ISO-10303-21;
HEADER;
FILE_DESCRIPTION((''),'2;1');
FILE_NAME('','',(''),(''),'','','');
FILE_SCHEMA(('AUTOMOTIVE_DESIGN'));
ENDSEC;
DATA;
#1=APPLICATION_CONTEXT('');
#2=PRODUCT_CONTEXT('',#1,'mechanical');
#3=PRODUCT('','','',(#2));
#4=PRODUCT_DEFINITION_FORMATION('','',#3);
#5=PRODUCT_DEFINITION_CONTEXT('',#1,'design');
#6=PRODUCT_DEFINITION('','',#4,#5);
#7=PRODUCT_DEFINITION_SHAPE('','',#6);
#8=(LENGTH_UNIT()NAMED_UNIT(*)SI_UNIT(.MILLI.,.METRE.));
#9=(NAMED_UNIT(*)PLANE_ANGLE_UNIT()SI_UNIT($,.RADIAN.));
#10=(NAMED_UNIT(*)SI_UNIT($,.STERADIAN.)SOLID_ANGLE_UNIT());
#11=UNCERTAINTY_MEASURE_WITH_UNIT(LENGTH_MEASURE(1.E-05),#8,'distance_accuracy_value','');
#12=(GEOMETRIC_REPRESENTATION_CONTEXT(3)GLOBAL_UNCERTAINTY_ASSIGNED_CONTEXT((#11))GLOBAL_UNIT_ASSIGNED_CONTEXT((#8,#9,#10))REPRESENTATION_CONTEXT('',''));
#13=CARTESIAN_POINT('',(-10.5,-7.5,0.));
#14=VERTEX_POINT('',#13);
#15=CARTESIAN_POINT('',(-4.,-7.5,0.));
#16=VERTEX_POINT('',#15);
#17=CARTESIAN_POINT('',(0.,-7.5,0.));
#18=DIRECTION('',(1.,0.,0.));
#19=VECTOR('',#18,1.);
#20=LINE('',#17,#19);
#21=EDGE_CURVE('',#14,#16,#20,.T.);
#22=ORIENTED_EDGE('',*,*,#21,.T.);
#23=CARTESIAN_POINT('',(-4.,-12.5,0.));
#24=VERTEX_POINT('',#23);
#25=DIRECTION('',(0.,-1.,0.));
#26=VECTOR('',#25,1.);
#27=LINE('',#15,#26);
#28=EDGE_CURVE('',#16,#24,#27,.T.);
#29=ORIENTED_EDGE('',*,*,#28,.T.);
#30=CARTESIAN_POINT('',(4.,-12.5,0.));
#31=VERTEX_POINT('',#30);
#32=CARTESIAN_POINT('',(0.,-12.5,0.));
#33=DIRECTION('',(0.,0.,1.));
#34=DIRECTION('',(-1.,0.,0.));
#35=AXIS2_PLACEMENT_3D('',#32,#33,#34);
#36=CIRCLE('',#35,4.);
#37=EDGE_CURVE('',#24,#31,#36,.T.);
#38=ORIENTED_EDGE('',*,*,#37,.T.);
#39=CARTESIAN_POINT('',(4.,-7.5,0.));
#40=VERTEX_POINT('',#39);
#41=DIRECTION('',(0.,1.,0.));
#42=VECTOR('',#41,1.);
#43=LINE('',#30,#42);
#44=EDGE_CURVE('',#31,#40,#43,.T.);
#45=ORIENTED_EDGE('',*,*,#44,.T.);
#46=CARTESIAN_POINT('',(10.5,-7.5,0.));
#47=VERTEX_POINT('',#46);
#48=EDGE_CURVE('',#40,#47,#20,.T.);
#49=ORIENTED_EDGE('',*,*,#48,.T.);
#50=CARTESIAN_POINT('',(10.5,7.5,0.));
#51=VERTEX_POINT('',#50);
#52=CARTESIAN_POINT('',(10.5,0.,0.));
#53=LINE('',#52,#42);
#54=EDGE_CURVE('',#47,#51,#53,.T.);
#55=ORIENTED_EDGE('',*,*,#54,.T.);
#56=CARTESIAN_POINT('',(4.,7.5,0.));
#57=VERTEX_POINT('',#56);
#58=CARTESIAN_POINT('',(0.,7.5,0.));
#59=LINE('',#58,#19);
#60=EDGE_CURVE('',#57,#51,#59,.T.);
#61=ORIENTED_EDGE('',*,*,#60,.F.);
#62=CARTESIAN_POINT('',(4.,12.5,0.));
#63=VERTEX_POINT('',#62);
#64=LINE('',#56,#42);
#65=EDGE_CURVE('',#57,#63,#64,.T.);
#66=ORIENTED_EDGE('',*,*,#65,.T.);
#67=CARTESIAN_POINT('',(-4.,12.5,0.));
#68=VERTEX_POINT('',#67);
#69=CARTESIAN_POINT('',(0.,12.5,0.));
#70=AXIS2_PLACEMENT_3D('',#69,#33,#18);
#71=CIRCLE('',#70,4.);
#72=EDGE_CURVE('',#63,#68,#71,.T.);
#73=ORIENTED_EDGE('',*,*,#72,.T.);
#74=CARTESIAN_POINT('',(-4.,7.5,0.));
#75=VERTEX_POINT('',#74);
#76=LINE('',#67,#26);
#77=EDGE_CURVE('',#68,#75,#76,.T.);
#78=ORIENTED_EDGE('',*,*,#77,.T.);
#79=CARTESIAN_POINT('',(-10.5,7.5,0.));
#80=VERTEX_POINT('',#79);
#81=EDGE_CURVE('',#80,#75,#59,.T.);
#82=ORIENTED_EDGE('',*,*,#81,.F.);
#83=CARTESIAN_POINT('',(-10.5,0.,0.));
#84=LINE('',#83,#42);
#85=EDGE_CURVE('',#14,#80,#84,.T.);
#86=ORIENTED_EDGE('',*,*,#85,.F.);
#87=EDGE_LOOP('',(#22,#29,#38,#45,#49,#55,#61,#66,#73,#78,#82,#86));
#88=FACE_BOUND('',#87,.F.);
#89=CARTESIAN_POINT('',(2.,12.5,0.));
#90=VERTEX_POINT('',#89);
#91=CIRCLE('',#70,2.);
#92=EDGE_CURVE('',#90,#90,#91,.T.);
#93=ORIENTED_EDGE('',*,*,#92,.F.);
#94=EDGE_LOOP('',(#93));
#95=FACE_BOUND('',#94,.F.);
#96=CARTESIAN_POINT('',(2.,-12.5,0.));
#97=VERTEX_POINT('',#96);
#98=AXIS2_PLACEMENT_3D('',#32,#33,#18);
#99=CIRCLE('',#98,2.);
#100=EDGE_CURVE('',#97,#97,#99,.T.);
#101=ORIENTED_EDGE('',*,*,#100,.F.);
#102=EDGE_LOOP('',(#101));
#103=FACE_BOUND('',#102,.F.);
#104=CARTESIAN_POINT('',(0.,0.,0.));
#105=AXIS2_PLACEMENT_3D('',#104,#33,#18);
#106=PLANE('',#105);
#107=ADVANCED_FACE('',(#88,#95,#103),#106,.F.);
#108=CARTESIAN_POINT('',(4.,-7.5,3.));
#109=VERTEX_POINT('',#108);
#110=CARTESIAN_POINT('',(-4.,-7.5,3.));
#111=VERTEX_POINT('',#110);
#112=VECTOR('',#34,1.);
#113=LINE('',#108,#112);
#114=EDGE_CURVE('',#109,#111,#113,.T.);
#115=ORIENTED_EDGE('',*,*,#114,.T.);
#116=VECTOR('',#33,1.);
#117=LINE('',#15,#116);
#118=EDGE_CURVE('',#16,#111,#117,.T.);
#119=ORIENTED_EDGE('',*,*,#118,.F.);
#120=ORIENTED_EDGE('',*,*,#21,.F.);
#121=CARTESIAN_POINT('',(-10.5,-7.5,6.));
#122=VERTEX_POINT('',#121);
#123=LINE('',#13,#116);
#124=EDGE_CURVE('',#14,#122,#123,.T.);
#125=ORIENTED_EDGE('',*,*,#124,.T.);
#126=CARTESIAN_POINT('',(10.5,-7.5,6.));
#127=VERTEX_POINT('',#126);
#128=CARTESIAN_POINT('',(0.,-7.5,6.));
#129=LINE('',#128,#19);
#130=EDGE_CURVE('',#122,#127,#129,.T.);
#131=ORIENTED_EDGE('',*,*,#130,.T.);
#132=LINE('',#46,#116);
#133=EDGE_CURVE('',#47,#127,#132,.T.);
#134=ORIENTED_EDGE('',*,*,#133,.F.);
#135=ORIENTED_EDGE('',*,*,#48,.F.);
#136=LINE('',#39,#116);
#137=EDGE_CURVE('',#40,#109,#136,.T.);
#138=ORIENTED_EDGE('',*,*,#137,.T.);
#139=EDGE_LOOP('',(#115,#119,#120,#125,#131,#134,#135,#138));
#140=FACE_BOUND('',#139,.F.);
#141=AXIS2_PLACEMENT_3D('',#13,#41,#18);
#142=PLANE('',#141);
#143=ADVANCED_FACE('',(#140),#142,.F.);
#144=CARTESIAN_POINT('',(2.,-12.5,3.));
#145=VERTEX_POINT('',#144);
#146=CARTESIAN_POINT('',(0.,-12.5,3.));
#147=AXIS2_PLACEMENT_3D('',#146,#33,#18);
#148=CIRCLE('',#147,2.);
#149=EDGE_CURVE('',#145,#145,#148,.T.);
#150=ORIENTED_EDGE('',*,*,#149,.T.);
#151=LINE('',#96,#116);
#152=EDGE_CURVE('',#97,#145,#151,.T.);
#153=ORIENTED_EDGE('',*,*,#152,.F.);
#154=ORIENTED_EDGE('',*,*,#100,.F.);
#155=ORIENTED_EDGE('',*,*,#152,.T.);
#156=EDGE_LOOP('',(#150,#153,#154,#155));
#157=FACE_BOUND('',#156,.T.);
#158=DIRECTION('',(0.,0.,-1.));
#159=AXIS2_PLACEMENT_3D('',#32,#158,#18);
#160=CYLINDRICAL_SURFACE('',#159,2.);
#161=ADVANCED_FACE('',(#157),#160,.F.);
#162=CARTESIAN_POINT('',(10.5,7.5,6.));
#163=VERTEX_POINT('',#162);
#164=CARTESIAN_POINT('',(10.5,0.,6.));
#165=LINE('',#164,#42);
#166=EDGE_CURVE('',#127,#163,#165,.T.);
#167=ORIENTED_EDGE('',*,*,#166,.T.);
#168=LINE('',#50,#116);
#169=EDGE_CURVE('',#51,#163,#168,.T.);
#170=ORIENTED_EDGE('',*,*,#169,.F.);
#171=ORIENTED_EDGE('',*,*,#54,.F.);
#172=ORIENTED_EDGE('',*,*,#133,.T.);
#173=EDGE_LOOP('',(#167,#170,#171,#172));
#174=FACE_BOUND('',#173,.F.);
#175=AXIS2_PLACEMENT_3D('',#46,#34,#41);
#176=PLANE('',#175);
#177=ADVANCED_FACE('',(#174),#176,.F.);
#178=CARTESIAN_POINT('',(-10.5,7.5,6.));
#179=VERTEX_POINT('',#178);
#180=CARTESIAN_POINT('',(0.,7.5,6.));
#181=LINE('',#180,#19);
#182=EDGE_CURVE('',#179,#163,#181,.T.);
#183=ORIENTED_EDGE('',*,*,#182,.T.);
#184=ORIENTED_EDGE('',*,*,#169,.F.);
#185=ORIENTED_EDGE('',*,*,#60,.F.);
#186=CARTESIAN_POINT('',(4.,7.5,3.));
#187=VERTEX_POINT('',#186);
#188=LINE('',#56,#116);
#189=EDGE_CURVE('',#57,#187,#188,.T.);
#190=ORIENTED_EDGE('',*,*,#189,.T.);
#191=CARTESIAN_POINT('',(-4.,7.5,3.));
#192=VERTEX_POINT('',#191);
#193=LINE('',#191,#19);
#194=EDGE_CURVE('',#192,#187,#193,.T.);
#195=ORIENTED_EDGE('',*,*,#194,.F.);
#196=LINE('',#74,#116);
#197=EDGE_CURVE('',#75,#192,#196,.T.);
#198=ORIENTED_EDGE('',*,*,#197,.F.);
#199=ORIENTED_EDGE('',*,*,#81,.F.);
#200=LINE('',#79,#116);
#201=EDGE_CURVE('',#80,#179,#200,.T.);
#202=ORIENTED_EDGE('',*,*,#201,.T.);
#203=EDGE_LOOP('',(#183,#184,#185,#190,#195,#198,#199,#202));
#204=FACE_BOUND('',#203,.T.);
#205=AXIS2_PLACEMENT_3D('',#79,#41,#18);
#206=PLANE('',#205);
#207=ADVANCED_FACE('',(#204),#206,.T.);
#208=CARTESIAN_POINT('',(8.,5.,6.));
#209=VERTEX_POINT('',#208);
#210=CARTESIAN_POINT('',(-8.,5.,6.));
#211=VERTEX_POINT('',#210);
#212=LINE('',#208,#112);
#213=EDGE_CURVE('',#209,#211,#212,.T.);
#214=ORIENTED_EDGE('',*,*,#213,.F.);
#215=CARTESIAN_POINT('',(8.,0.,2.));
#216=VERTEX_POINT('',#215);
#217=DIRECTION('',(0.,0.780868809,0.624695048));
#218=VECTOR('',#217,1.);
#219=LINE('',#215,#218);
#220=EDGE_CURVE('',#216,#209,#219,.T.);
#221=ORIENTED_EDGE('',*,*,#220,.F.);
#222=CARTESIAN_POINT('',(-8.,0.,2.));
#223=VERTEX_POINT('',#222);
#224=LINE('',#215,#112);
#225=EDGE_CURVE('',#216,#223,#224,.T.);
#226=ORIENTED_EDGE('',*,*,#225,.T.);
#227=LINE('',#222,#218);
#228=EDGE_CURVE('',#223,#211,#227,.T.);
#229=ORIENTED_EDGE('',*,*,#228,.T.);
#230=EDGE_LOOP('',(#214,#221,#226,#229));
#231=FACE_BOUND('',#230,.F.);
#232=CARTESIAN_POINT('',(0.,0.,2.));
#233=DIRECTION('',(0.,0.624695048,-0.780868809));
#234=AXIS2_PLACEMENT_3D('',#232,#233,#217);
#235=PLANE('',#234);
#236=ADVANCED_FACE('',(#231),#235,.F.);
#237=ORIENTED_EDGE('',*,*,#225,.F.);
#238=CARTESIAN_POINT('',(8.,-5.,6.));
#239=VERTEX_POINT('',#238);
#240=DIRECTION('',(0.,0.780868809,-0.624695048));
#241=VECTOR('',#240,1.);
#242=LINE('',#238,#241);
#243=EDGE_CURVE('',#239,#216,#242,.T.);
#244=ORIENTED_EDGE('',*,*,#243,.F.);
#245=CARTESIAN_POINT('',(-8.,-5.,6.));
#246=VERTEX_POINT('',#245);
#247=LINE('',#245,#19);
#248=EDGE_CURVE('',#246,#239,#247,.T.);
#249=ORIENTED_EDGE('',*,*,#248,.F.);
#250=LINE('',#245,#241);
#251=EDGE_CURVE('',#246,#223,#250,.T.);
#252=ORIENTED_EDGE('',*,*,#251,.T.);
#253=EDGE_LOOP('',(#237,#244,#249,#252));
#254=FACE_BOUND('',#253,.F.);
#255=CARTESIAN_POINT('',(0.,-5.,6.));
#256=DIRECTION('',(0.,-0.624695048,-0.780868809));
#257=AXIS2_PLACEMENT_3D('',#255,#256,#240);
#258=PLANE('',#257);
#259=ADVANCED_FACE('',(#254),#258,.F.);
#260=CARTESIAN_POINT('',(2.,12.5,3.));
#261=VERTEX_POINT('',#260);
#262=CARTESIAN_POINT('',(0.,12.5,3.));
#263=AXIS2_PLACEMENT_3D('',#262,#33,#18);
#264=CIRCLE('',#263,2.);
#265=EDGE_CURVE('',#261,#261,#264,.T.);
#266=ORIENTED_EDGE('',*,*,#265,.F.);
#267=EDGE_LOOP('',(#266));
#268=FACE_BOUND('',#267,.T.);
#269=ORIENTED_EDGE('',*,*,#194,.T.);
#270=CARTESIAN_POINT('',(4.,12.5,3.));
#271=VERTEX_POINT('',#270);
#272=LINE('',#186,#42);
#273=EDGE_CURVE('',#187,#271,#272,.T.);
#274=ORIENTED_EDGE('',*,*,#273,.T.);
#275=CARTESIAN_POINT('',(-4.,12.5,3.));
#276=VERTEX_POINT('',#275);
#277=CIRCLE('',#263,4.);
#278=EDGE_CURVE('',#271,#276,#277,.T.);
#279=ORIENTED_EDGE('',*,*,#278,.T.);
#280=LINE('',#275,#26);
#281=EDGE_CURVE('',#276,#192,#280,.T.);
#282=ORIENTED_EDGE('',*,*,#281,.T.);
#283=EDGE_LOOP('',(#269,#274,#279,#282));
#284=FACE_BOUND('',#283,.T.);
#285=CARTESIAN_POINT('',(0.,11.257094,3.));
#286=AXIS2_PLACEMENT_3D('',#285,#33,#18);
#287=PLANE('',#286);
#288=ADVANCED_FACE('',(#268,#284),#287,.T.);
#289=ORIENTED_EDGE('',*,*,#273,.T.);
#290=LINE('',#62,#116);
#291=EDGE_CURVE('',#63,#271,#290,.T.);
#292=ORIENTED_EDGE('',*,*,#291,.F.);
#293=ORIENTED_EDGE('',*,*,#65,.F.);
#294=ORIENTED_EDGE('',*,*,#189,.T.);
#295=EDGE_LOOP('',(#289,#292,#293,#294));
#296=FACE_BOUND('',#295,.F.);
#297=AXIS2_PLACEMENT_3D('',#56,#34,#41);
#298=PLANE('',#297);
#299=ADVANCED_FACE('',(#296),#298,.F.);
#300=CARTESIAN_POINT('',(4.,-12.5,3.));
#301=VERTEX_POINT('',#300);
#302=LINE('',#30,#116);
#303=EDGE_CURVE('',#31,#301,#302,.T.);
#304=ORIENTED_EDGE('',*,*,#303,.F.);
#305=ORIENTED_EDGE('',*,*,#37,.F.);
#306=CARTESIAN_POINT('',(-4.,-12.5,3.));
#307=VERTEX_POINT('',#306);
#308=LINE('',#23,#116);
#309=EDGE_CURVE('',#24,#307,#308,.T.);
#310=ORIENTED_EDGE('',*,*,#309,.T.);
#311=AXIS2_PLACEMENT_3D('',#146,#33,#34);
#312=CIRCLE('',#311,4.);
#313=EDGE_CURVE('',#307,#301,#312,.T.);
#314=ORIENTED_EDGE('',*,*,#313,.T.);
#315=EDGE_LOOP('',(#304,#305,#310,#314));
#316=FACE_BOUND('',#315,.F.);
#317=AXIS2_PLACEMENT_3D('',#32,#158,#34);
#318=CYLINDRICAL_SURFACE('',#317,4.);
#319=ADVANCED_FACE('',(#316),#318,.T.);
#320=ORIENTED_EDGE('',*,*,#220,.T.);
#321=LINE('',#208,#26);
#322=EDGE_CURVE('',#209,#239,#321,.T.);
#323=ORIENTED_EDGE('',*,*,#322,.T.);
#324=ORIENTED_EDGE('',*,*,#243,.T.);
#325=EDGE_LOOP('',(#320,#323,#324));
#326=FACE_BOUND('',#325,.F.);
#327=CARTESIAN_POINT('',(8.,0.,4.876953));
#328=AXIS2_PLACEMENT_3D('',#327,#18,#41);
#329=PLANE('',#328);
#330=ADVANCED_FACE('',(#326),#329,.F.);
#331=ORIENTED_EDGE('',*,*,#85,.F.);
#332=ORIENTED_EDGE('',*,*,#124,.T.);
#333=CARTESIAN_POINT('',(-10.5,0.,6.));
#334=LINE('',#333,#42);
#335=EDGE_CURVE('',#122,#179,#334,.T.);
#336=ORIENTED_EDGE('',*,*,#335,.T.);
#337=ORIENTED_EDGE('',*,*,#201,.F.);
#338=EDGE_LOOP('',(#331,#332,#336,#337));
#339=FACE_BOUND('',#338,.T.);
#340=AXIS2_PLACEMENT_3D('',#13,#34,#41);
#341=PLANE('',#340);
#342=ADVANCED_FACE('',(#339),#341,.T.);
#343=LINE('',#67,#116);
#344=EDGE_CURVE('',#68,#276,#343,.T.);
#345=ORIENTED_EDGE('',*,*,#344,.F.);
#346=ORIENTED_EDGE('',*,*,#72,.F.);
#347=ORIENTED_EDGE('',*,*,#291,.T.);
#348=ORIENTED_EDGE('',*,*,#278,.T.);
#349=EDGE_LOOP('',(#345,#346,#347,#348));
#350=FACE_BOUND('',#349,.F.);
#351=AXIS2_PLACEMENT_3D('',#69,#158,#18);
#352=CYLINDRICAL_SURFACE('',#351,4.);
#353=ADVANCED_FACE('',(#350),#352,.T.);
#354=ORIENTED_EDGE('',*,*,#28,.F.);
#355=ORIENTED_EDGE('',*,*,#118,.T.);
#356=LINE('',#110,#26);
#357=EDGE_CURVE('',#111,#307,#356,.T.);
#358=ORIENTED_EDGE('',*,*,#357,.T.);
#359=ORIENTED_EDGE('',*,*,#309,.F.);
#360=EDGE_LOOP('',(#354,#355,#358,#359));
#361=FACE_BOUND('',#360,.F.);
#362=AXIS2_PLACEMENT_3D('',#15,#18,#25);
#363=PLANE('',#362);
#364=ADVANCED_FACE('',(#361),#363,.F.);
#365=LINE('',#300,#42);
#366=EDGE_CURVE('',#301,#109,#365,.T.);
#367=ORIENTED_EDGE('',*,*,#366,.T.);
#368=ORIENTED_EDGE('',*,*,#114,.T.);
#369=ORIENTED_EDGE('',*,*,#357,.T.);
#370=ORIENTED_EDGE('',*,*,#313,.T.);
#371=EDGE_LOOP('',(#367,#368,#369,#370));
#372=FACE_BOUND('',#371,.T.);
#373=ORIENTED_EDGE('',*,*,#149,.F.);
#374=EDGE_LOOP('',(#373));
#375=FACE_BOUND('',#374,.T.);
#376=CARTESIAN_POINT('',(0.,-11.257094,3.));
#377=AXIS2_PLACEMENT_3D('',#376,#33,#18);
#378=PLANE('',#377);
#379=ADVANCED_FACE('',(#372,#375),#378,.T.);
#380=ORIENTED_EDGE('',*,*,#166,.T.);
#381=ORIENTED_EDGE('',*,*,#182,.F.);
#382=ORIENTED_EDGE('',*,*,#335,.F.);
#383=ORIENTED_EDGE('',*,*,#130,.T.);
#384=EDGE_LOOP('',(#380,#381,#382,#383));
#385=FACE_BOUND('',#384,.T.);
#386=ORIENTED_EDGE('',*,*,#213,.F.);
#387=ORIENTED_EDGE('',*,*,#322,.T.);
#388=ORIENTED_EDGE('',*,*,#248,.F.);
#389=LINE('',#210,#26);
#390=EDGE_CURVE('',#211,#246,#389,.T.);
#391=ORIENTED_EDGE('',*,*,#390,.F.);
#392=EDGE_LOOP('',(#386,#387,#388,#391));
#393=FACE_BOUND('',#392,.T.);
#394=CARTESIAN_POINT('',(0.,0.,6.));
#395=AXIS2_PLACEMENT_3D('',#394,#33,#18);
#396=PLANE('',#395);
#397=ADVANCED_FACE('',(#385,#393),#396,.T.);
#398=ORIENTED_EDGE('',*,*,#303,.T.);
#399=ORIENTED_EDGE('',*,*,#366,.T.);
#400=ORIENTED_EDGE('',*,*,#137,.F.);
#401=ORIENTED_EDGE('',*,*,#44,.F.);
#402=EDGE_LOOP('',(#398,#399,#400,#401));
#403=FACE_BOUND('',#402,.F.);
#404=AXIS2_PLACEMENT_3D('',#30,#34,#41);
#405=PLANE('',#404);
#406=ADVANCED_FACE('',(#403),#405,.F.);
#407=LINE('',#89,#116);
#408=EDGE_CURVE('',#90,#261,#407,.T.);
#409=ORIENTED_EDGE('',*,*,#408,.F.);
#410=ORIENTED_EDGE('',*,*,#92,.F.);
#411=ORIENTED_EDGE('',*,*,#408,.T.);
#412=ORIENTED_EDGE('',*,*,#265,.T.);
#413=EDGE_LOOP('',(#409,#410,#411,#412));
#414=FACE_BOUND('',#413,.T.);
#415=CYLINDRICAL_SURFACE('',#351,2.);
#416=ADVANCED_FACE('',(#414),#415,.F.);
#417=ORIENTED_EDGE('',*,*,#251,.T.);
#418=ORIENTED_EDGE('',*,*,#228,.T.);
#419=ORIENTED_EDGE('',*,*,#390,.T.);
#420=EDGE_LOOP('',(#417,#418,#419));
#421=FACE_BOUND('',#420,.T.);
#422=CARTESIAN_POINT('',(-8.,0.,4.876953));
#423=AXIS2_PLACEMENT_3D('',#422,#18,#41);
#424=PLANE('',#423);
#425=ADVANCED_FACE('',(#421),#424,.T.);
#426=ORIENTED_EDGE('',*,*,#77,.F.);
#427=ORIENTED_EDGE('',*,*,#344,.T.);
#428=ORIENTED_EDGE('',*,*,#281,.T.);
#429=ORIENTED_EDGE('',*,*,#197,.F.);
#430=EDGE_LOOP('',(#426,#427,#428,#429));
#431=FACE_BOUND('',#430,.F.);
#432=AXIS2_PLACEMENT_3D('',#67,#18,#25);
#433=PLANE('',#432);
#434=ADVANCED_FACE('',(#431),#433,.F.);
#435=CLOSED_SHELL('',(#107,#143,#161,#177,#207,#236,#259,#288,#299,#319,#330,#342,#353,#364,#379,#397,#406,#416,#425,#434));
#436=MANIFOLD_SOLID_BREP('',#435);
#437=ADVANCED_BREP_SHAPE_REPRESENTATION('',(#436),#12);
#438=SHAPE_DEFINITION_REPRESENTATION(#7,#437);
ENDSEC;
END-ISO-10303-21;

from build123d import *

# Parameters (mm, degrees)
F0_W     = 21
F0_H     = 15
F1_DEPTH = 6
F3_DEPTH = 8
F4_R     = 2
F5_DEPTH = 3


with BuildPart() as f1:
    # F0 (on Top) → F1 (new body)
    with BuildSketch(Plane.XY):
        Rectangle(F0_W, F0_H)
    extrude(amount=F1_DEPTH)

    # F2 (on Right) → F3 (cut, symmetric)
    with BuildSketch(Plane.YZ):
        Polygon((5, 6), (-5, 6), (0, 2), align=None)
    extrude(amount=F3_DEPTH, both=True, mode=Mode.SUBTRACT)

    # F4 (on Top) → F5 (join)
    with BuildSketch(Plane.XY):
        with BuildLine():
            Line((-4, 12.5), (-4, 7.5))
            Line((-4, 7.5), (4, 7.5))
            Line((4, 7.5), (4, 12.5))
            ThreePointArc((4, 12.5), (0, 16.5), (-4, 12.5))
        make_face()
        with Locations((0, 12.5)):
            Circle(F4_R, mode=Mode.SUBTRACT)
        with BuildLine():
            Line((4, -7.5), (-4, -7.5))
            Line((-4, -7.5), (-4, -12.5))
            ThreePointArc((-4, -12.5), (0, -16.5), (4, -12.5))
            Line((4, -12.5), (4, -7.5))
        make_face()
        with Locations((0, -12.5)):
            Circle(F4_R, mode=Mode.SUBTRACT)
    extrude(amount=F5_DEPTH)


solid = f1.part
